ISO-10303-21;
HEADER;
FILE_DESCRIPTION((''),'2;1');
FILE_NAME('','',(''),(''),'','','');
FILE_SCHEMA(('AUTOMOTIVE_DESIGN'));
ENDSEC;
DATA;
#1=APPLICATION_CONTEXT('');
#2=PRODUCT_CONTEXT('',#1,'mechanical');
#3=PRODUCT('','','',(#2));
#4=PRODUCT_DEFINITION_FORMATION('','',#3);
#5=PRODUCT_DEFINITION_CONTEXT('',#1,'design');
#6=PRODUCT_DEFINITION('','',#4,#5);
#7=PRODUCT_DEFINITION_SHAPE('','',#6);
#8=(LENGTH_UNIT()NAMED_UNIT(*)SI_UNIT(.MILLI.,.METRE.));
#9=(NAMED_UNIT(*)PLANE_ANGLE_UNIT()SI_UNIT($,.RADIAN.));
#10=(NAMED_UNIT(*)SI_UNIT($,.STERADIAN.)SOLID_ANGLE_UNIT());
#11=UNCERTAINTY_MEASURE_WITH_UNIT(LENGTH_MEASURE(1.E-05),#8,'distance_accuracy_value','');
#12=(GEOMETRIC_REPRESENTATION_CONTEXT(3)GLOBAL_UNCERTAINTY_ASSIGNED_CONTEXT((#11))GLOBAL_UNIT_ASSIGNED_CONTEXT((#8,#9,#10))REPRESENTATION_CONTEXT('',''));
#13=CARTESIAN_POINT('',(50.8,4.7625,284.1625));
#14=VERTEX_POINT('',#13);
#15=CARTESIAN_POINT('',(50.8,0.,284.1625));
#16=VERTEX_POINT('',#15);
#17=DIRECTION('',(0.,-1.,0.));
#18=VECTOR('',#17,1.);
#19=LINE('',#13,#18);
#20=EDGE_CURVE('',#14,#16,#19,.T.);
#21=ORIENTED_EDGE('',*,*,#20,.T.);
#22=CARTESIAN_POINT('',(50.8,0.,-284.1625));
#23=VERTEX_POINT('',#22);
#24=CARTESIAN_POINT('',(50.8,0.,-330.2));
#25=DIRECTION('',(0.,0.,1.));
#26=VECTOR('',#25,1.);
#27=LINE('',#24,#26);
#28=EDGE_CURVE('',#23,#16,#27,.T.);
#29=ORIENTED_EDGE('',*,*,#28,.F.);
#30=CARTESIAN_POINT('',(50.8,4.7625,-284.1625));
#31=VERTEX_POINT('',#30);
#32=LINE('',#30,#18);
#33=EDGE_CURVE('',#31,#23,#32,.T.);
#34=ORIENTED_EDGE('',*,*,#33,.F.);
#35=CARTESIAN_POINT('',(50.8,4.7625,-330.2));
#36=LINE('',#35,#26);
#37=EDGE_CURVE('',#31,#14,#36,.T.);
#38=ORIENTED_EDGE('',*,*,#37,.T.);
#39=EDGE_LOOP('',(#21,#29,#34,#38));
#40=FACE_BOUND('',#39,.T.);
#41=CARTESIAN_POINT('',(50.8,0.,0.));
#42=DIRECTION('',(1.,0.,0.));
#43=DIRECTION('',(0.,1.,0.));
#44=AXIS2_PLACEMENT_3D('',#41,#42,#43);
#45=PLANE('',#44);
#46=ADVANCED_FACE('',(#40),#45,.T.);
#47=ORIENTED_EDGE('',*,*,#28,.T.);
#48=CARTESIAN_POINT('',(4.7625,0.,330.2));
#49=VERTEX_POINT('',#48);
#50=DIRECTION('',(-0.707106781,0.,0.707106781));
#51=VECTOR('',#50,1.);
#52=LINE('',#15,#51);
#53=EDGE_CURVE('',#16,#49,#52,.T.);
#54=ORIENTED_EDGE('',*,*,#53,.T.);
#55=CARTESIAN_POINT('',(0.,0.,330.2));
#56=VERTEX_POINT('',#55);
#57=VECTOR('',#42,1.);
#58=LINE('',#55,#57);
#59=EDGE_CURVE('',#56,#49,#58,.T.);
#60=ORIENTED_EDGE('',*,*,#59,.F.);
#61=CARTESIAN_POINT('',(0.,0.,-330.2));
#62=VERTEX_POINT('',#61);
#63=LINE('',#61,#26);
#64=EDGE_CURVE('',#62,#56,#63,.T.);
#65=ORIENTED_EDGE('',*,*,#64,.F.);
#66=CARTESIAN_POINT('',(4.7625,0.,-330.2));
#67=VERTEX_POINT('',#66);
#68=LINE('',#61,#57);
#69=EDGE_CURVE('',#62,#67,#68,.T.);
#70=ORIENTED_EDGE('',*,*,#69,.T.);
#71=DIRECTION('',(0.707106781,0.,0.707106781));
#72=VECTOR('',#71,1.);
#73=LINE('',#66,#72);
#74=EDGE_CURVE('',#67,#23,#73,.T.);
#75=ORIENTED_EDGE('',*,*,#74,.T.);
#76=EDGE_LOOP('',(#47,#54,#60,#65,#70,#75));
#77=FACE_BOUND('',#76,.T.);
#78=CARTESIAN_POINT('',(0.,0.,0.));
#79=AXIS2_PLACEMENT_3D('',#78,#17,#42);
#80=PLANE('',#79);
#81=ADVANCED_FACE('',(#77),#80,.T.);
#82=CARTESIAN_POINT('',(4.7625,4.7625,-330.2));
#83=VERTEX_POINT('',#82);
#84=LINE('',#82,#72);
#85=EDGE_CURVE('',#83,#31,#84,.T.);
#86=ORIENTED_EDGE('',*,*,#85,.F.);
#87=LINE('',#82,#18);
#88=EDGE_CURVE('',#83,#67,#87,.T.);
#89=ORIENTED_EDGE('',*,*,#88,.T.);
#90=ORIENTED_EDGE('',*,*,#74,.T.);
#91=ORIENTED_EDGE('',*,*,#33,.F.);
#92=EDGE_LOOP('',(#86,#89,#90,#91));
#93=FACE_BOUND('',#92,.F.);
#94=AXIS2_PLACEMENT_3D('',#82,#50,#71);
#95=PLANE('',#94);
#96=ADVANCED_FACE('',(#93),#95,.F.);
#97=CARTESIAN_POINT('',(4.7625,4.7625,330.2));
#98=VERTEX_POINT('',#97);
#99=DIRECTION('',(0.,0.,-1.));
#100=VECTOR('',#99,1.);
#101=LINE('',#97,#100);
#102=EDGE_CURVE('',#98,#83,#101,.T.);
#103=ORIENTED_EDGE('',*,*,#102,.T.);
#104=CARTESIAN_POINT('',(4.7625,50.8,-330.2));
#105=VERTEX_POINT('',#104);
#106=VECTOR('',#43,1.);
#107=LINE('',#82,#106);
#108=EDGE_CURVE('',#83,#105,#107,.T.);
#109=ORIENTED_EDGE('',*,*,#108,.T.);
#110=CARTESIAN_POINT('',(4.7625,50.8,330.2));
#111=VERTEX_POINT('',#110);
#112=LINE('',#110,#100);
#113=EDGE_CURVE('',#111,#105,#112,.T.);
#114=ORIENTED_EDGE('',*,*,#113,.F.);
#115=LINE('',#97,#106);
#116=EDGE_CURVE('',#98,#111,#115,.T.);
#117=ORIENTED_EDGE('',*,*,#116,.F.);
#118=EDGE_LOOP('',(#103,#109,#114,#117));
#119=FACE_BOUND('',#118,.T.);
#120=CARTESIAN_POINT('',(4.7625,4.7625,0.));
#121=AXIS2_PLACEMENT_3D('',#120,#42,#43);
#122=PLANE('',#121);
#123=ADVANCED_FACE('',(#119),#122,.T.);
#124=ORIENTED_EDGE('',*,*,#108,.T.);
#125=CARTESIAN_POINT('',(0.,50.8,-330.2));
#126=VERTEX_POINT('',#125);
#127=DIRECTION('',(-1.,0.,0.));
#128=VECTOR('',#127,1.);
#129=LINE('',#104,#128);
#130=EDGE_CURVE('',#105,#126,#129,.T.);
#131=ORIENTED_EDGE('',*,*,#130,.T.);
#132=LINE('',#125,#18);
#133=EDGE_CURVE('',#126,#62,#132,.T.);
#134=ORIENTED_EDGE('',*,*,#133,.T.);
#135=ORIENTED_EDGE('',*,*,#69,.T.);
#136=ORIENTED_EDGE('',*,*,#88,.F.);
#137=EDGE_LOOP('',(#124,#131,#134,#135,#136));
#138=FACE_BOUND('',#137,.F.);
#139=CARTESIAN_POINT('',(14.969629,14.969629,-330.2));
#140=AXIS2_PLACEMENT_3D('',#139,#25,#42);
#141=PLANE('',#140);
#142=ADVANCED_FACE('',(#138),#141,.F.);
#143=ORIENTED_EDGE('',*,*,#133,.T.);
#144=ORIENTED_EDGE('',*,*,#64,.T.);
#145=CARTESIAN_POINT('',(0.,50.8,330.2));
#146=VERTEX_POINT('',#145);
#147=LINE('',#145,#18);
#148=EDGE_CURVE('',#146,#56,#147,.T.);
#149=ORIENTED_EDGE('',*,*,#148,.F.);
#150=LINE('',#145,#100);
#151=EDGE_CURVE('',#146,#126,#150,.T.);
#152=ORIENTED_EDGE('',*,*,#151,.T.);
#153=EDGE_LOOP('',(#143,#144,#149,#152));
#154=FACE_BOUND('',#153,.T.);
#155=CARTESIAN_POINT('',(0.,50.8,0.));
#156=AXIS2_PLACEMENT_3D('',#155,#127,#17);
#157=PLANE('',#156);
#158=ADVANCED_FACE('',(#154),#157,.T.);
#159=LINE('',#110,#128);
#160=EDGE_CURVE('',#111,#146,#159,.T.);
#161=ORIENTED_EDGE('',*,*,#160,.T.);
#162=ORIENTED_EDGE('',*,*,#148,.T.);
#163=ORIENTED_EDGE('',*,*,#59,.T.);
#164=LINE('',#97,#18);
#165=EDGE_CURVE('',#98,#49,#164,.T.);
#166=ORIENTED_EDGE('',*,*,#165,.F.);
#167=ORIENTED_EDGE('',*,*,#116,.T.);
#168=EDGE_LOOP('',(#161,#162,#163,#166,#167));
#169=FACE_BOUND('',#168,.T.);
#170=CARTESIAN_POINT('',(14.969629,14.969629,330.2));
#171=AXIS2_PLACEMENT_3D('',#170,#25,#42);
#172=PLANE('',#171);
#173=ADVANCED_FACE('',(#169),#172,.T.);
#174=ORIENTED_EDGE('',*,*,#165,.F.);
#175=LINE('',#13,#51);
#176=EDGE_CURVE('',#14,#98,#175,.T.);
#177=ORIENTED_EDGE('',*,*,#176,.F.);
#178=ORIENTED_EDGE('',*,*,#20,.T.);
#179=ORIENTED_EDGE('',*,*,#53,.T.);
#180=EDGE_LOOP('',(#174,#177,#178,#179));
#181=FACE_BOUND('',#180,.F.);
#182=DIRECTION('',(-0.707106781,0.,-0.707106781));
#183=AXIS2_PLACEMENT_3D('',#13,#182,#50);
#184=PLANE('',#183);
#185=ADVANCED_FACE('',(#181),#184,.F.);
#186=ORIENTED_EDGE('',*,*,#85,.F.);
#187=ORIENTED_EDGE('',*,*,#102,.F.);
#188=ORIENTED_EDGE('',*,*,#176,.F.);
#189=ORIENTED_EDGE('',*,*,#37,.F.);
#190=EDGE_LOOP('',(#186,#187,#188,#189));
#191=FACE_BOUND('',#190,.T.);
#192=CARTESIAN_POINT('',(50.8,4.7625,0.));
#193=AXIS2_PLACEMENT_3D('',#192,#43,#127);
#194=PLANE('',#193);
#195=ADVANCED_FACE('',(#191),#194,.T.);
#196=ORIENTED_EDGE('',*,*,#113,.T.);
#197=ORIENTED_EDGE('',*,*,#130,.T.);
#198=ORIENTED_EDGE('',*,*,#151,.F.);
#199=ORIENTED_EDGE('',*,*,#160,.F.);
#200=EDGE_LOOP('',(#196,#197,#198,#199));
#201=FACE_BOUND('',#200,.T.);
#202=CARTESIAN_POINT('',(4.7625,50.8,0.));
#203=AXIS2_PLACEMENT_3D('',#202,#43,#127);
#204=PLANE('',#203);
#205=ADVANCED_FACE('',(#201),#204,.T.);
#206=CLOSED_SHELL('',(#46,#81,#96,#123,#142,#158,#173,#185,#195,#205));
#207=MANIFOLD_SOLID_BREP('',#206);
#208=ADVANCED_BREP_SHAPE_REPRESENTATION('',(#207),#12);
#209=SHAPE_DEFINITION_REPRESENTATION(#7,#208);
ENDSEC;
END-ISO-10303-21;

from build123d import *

# Parameters (mm, degrees)
F1_DEPTH = 330.2
F3_DEPTH = 4.7625


with BuildPart() as f1:
    # F0 (on Top) → F1 (new body, symmetric)
    with BuildSketch(Plane.XY):
        Polygon((0, 50.8), (0, 0), (50.8, 0), (50.8, 4.7625), (4.7625, 4.7625), (4.7625, 50.8), align=None)
    extrude(amount=F1_DEPTH, both=True)

    # F2 (on face) → F3 (cut, through all)
    with BuildSketch(Plane(origin=(0, 4.7625, 0), x_dir=(-1, 0, 0), z_dir=(0, 1, 0))):
        Polygon((-50.8, 284.1625), (-4.7625, 330.2), (-50.8, 330.2), align=None)
        Polygon((-50.8, -330.2), (-4.7625, -330.2), (-50.8, -284.1625), align=None)
    extrude(amount=-F3_DEPTH, mode=Mode.SUBTRACT)


solid = f1.part
